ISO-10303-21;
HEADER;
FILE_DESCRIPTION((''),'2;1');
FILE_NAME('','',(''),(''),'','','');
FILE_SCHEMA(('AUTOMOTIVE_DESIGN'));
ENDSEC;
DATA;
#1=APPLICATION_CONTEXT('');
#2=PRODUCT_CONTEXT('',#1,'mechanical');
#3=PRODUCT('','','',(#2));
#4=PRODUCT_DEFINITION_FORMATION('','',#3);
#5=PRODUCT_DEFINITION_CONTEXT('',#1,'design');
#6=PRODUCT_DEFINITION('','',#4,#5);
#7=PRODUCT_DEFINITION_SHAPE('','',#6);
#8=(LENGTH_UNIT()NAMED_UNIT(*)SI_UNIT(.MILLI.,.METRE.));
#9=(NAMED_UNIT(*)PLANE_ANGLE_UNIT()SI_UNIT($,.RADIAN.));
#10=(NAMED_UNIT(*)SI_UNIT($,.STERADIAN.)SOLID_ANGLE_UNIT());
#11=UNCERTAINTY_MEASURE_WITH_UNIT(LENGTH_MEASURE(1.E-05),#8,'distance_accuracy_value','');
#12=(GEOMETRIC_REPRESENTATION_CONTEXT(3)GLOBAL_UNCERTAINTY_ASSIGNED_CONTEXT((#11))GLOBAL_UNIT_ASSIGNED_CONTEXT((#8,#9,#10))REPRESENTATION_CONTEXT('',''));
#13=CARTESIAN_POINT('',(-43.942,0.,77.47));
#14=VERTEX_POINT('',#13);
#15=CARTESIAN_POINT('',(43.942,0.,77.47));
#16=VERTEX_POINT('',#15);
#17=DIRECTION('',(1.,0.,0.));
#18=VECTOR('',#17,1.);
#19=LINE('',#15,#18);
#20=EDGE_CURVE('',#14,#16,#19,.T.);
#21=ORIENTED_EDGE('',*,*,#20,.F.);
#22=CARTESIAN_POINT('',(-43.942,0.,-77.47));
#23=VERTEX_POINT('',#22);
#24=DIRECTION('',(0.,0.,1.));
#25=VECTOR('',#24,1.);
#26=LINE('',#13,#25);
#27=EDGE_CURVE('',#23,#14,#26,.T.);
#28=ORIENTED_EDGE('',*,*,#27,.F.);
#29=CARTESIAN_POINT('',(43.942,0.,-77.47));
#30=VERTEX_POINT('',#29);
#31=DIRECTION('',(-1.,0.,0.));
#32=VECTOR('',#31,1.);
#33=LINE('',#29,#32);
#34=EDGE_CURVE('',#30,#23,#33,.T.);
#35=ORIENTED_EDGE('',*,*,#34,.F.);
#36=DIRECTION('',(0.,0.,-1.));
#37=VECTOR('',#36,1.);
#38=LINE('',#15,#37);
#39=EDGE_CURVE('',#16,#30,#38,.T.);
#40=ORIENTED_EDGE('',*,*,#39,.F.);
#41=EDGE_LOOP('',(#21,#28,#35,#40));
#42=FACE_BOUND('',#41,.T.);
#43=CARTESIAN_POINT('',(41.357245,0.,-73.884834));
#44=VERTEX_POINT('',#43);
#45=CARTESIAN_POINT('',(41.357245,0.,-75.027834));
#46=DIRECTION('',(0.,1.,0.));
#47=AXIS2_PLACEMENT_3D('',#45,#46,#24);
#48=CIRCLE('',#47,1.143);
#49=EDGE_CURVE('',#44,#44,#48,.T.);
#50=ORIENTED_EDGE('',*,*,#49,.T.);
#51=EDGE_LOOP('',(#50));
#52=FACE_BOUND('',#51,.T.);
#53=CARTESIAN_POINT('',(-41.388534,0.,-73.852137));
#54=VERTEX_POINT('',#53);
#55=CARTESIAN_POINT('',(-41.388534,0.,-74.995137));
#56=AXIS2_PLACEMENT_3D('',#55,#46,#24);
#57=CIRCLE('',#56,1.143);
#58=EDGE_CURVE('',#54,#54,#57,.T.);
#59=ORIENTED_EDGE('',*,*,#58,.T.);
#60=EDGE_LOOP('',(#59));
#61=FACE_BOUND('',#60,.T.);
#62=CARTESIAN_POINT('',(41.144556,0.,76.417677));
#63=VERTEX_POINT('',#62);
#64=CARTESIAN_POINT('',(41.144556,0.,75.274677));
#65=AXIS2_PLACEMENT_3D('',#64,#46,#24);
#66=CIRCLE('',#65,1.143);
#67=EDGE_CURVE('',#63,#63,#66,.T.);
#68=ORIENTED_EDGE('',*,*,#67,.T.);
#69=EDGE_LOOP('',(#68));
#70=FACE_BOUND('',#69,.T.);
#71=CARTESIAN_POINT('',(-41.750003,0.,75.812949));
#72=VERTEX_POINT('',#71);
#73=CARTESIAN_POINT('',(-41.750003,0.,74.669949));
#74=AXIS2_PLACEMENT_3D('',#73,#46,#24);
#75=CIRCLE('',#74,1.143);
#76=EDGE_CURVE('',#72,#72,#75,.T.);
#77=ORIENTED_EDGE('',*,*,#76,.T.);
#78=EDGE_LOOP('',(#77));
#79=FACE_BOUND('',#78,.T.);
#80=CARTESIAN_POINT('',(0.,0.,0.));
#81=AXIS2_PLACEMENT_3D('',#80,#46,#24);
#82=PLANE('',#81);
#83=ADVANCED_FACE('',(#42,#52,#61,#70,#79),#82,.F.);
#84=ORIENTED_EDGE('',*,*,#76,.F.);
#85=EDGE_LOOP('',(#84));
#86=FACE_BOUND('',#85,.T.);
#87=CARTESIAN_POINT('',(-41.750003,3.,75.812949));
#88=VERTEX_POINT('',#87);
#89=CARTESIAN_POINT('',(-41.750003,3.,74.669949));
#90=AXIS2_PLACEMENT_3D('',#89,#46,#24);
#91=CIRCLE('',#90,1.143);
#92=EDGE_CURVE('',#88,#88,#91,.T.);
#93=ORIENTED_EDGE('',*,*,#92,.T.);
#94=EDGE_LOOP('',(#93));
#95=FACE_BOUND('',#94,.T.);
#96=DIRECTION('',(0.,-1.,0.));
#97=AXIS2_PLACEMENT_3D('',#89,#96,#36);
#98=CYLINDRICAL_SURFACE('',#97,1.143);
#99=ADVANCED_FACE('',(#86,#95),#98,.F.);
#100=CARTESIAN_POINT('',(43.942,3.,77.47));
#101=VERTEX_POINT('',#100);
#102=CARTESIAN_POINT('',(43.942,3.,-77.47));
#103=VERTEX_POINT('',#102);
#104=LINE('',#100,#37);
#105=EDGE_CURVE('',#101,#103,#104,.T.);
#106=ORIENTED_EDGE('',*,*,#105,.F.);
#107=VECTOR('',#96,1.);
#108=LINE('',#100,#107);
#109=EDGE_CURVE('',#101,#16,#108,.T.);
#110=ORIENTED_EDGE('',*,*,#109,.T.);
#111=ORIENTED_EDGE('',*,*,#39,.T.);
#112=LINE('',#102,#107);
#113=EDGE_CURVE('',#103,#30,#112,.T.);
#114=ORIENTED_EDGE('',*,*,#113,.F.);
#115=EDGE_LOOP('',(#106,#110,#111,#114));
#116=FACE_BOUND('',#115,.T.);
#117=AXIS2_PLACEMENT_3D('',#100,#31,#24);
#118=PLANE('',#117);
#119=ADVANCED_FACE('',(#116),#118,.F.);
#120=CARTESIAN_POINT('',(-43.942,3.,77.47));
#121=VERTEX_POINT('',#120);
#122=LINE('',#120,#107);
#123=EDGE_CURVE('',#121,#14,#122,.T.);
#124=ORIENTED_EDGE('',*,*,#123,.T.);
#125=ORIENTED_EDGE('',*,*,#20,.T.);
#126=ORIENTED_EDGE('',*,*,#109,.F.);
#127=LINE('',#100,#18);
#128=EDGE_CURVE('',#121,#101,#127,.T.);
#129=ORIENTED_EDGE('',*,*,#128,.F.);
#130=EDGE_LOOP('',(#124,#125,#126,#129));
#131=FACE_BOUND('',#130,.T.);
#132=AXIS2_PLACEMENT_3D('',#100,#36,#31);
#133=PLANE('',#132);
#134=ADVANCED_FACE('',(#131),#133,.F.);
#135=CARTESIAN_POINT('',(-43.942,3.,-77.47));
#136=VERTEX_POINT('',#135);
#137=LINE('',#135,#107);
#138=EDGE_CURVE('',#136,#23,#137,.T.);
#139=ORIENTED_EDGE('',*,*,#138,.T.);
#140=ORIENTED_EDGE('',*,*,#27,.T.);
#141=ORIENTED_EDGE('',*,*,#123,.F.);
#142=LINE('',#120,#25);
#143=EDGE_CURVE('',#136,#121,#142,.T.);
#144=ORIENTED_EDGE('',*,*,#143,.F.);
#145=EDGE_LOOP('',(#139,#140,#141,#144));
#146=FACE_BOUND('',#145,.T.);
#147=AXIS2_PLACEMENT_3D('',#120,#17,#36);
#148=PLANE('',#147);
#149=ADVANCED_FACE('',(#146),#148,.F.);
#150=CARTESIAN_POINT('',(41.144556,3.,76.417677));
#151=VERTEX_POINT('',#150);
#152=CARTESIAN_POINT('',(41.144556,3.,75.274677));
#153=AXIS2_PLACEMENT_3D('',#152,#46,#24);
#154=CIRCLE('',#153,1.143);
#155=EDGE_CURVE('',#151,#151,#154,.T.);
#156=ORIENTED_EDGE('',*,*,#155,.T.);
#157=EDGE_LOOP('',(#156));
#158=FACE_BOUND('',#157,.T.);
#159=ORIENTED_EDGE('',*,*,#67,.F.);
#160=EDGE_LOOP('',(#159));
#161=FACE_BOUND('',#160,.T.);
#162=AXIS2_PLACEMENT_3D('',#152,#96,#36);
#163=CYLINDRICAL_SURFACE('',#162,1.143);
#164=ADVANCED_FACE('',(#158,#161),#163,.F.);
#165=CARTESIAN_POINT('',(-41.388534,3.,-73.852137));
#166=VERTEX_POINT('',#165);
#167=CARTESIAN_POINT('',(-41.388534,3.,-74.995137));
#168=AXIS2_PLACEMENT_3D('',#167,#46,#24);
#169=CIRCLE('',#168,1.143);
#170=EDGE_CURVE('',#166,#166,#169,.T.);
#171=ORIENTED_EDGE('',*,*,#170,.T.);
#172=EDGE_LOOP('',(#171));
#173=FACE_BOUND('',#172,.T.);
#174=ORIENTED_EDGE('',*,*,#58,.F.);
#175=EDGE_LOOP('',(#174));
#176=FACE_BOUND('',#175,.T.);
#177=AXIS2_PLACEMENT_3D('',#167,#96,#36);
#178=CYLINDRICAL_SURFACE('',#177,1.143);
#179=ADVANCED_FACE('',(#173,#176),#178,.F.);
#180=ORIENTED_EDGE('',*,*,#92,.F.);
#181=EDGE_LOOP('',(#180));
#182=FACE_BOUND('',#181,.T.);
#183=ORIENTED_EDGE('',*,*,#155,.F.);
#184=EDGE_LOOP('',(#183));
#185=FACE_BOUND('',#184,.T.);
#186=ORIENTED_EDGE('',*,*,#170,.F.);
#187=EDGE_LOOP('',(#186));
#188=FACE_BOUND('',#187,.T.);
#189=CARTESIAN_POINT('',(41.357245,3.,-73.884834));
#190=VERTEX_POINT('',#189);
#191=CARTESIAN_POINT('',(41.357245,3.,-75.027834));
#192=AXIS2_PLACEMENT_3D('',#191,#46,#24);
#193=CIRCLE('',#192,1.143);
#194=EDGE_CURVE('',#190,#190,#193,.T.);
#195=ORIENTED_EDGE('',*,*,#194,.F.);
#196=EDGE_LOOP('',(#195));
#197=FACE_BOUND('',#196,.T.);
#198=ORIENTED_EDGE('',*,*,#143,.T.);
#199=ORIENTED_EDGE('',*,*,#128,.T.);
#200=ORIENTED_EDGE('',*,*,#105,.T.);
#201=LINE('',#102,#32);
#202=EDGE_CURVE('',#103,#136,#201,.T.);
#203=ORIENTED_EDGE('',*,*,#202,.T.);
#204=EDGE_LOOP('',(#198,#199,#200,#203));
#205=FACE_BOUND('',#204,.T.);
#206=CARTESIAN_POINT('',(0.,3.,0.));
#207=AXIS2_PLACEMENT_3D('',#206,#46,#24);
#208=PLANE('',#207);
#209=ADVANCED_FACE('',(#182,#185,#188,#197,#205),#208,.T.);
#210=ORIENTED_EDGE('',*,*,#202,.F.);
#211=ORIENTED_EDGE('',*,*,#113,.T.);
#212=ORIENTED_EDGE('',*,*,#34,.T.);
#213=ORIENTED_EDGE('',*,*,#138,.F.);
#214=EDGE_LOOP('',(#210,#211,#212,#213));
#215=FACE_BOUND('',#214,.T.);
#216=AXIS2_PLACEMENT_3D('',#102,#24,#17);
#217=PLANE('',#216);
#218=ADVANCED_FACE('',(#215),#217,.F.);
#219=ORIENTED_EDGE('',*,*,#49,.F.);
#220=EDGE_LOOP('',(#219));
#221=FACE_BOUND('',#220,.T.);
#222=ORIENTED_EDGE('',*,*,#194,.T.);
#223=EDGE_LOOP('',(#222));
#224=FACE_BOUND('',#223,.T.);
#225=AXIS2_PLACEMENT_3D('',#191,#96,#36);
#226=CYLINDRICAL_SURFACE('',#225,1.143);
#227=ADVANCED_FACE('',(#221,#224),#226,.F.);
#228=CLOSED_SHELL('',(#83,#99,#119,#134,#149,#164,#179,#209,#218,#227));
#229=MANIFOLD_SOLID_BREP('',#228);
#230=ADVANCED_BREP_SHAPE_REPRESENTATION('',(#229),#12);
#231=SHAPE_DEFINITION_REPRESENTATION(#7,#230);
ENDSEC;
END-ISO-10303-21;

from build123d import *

# Parameters (mm, degrees)
SKETCH1_W           = 87.884
SKETCH1_H           = 154.94
SKETCH1_R           = 1.143
BOSS_EXTRUDE2_DEPTH = 3


with BuildPart() as part:
    # Sketch1 → Boss-Extrude2 (new body)
    with BuildSketch(Plane(origin=(0, 0, 0), x_dir=(1, 0, 0), z_dir=(0, 1, 0))):
        Rectangle(SKETCH1_W, SKETCH1_H)
        with Locations(Location((41.357244865, 75.027833565, 0), (0, 0, 270))):
            Circle(SKETCH1_R, mode=Mode.SUBTRACT)
        with Locations(Location((41.144556293, -75.274676629, 0), (0, 0, 270))):
            Circle(SKETCH1_R, mode=Mode.SUBTRACT)
        with Locations(Location((-41.750002777, -74.669949255, 0), (0, 0, 270))):
            Circle(SKETCH1_R, mode=Mode.SUBTRACT)
        with Locations(Location((-41.388534278, 74.995136609, 0), (0, 0, 270))):
            Circle(SKETCH1_R, mode=Mode.SUBTRACT)
    extrude(amount=BOSS_EXTRUDE2_DEPTH)


solid = part.part
